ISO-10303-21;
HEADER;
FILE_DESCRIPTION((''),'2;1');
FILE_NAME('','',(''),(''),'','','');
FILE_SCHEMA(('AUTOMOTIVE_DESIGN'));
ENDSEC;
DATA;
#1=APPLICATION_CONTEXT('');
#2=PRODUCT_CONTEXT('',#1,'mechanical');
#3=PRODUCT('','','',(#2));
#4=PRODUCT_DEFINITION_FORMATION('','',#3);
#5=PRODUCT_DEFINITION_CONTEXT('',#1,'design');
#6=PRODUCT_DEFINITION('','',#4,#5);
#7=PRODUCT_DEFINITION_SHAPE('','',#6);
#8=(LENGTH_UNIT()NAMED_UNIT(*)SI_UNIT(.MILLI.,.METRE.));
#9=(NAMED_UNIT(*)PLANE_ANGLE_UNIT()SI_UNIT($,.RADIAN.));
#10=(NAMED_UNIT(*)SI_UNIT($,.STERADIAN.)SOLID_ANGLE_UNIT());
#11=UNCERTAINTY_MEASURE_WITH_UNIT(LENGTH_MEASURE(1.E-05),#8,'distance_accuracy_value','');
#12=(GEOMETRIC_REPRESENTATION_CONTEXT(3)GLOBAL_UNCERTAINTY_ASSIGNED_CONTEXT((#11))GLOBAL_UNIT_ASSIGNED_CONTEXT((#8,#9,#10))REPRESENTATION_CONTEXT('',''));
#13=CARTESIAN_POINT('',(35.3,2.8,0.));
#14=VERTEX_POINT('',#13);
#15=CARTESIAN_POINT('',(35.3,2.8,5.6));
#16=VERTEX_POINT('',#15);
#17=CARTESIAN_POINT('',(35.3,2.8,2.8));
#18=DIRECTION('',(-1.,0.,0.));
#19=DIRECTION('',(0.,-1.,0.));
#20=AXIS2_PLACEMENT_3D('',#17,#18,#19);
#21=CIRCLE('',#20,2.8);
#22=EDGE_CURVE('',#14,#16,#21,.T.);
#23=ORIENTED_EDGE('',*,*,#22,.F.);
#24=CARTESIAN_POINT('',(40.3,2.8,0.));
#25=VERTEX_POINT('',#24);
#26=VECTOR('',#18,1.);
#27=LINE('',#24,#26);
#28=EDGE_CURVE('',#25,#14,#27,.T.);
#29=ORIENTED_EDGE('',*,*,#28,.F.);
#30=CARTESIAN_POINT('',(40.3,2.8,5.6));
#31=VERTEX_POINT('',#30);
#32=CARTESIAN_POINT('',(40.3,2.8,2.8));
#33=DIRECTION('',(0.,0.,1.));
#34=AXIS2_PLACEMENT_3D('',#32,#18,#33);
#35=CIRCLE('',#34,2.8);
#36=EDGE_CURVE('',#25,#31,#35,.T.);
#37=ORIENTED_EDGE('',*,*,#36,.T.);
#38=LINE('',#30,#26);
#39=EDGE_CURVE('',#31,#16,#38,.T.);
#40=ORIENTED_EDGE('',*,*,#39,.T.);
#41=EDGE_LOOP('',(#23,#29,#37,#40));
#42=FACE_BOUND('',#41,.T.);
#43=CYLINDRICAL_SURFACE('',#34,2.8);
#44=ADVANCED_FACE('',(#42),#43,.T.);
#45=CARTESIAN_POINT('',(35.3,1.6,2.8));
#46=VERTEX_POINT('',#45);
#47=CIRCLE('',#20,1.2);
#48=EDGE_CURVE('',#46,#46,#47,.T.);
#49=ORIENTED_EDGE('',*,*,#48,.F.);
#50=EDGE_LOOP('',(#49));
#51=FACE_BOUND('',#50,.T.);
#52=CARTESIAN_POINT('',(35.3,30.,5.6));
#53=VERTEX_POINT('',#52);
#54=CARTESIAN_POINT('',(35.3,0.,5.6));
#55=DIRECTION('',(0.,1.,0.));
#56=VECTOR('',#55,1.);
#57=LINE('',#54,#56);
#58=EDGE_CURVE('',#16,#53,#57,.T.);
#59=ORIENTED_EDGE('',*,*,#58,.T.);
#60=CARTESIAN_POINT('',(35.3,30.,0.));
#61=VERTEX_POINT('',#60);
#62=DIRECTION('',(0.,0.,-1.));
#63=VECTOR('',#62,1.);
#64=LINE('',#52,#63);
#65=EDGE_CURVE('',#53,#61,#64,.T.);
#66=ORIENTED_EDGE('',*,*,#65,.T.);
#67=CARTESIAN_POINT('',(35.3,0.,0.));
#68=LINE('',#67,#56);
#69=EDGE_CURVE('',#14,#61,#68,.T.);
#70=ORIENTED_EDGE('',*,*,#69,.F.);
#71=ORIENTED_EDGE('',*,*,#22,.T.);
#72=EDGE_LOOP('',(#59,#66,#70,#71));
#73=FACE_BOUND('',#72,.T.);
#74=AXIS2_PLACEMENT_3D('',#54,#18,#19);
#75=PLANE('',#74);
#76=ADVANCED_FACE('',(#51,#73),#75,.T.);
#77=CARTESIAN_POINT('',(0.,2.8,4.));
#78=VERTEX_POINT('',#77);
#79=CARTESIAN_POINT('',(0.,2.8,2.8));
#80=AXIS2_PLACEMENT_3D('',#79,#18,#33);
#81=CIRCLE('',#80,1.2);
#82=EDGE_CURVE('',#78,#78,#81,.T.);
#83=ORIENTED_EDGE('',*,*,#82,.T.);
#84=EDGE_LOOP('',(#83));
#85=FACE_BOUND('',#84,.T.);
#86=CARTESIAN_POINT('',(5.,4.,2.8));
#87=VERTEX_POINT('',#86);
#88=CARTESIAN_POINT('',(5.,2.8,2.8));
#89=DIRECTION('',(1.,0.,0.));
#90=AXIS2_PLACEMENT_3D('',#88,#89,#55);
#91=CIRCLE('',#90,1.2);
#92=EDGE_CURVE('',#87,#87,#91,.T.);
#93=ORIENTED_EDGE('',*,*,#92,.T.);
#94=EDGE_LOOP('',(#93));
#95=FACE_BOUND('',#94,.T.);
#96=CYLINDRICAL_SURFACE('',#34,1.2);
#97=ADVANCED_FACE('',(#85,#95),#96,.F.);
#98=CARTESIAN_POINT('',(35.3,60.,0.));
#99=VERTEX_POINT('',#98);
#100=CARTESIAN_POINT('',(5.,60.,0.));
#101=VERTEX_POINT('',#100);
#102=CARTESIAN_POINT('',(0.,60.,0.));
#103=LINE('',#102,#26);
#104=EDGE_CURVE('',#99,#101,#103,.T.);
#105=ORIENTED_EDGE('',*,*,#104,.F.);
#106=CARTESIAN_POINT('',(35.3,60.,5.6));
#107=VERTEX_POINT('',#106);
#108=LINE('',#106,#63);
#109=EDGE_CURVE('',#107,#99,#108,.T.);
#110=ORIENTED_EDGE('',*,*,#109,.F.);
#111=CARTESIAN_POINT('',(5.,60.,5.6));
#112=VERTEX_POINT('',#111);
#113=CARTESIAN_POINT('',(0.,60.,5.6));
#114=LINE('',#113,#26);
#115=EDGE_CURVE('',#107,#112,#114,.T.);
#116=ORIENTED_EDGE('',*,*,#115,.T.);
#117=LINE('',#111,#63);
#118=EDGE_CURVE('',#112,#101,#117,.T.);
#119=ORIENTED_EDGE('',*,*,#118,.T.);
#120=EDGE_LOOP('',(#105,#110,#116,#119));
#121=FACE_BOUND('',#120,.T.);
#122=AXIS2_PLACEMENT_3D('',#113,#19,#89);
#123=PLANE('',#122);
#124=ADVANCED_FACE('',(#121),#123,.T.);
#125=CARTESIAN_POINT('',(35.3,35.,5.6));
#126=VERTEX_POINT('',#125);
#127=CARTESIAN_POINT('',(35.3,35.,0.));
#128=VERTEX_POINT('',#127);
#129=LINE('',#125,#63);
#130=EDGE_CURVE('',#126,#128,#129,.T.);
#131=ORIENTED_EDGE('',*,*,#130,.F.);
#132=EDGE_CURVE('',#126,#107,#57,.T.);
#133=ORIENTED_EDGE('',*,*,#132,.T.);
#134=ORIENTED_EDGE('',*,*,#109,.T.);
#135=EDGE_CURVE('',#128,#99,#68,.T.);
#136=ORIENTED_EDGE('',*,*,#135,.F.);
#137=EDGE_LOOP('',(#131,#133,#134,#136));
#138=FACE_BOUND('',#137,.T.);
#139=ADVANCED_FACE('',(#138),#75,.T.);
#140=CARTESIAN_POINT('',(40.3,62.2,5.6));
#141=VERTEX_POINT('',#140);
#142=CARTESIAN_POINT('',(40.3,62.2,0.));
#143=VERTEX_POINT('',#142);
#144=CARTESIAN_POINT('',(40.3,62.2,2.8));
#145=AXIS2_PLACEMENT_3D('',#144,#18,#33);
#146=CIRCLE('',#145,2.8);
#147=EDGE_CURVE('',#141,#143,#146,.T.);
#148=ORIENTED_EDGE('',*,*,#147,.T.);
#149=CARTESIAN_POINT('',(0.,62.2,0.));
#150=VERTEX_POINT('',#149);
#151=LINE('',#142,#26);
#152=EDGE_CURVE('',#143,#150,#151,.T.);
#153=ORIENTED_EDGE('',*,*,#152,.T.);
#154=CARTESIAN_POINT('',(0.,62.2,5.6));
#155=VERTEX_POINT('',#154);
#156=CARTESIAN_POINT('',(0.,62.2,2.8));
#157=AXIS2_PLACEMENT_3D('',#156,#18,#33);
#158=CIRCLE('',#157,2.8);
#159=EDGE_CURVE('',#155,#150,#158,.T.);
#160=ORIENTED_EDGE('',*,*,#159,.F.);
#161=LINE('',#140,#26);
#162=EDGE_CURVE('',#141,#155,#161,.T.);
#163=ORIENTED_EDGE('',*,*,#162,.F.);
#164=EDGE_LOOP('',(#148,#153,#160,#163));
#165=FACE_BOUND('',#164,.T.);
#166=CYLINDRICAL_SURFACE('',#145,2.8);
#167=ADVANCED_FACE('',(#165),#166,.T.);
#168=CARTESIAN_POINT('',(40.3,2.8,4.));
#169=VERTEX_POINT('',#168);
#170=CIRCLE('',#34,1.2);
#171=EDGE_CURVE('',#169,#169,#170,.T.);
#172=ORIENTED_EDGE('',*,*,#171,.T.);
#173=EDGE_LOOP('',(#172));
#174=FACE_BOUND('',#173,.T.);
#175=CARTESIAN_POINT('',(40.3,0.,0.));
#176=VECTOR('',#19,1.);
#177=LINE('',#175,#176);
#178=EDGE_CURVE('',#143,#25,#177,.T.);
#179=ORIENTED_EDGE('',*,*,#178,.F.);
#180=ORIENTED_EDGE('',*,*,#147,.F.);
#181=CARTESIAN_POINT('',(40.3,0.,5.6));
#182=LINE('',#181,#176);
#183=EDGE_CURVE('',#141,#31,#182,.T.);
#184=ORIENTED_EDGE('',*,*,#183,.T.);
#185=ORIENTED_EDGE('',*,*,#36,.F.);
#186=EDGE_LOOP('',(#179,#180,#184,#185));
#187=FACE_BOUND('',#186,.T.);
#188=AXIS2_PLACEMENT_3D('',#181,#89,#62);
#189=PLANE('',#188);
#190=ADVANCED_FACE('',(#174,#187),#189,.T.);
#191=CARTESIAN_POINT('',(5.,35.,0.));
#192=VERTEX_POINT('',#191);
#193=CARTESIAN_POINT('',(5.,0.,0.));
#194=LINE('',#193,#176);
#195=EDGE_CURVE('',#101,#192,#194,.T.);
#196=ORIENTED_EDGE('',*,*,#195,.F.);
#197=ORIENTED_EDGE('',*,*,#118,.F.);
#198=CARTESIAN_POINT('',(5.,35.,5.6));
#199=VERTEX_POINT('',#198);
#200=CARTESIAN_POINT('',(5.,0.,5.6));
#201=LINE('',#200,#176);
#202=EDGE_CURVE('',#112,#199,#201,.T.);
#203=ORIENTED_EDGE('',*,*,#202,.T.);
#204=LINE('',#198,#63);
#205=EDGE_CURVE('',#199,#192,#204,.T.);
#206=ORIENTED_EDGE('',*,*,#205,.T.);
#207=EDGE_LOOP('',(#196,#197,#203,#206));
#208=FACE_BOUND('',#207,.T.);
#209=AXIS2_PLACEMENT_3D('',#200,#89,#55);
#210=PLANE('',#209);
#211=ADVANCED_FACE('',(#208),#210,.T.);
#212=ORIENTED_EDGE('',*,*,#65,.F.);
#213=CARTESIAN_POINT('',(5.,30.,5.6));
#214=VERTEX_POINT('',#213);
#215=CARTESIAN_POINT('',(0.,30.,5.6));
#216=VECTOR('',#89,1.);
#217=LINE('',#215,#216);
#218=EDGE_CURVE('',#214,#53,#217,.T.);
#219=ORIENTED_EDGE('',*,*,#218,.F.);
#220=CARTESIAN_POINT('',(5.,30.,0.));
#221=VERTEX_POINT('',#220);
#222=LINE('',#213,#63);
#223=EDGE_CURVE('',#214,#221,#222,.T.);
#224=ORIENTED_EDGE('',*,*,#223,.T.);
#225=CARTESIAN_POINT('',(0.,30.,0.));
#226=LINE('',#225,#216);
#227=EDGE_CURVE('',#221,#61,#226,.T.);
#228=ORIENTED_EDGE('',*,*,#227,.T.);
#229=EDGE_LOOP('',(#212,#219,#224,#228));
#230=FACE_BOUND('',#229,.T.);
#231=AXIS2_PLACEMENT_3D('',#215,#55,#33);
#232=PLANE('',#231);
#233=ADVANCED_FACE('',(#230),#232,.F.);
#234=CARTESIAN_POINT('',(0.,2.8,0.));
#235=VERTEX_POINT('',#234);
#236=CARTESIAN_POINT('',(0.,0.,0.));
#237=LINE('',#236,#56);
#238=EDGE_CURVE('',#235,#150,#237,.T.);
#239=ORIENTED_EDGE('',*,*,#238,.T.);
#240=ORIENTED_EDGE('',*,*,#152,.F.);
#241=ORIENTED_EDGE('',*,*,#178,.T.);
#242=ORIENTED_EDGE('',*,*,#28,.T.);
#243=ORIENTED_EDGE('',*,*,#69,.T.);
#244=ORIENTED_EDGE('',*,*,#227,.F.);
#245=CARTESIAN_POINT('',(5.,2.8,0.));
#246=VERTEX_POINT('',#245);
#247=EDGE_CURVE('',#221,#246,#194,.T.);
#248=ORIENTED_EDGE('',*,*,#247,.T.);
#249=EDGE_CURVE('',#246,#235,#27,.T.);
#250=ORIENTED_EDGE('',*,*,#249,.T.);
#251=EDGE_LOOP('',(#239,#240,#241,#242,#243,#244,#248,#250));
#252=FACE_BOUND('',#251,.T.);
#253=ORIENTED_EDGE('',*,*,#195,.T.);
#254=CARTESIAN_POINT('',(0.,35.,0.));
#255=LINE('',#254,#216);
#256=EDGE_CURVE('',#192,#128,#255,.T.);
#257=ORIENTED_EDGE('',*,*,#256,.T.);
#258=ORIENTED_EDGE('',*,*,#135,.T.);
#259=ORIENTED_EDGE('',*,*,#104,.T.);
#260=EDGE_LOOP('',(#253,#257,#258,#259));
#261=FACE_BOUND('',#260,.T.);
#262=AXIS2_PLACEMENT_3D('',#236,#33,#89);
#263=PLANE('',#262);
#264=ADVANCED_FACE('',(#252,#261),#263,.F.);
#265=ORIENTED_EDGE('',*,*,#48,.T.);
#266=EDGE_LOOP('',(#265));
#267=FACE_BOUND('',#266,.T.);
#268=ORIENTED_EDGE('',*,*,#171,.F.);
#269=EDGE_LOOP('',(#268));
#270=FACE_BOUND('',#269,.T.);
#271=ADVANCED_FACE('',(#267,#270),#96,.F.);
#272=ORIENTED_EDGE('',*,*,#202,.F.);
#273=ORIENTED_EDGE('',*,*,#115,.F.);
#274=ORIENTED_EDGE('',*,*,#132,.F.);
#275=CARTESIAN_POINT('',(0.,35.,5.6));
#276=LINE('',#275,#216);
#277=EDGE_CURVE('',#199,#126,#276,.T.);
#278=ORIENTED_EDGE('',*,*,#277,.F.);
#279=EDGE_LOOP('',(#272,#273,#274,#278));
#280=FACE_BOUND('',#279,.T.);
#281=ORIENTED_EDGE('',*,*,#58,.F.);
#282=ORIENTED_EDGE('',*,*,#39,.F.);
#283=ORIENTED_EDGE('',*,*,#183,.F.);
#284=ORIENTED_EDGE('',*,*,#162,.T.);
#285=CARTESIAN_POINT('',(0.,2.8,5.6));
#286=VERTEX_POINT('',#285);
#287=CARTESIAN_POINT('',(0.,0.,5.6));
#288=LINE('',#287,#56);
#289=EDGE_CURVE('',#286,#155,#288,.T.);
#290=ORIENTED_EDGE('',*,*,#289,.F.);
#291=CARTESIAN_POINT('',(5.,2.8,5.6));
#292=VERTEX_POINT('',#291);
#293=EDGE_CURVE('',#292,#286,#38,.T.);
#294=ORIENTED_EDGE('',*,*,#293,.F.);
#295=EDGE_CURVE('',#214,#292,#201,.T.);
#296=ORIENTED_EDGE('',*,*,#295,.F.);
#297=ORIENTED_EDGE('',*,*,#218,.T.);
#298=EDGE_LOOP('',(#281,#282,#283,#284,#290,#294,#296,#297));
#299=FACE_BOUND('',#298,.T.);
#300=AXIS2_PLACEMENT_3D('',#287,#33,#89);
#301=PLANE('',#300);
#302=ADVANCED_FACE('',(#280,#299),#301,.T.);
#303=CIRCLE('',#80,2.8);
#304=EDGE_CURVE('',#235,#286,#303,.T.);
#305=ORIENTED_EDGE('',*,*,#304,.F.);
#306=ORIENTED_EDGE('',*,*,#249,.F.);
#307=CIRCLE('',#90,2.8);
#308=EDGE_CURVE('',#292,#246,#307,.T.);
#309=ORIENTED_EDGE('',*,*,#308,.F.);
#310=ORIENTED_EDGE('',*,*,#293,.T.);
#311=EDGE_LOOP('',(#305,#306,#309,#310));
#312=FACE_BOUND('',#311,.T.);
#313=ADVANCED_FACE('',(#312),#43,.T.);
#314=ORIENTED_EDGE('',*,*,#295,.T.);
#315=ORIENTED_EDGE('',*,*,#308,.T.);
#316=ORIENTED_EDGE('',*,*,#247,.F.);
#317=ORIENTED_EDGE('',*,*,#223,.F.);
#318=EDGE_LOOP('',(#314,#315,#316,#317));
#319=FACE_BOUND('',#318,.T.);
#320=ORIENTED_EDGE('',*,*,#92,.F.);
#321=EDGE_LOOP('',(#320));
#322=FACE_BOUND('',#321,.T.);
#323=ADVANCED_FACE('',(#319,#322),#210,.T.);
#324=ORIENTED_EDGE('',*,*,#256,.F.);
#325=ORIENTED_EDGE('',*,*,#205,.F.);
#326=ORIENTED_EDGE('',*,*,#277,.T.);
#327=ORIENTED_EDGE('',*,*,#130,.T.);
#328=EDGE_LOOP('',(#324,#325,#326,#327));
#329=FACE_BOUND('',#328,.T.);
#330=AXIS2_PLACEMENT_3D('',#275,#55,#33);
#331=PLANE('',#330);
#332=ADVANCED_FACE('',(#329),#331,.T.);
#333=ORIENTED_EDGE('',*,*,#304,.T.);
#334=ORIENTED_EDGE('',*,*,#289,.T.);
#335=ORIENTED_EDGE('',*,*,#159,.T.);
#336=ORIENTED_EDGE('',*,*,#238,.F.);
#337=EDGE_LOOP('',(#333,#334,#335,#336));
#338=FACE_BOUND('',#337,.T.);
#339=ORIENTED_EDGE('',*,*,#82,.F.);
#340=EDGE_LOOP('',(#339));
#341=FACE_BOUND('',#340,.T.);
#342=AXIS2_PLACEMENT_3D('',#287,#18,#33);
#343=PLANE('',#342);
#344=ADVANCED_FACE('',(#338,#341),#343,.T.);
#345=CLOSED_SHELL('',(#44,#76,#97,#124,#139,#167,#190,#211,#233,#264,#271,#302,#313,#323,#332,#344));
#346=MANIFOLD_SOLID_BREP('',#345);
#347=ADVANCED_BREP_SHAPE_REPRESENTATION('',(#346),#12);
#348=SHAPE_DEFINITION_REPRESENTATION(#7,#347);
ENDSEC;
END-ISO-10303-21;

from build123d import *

# Parameters (mm, degrees)
SKICA1_W                 = 30.3
SKICA1_H                 = 5
P_IDAT_VYSUNUT_M1_DEPTH  = 5.6
SKICA2_R                 = 1.2
ODEBRAT_VYSUNUT_M1_DEPTH = 77.684092223
ODEBRAT_VYSUNUT_M3_DEPTH = 77.684092223


with BuildPart() as part:
    # Skica1 → Přidat vysunutím1 (new body)
    with BuildSketch(Plane.XY):
        Polygon((5, 0), (0, 0), (0, 65), (40.3, 65), (40.3, 0), (35.3, 0), (35.3, 60), (5, 60), align=None)
        with Locations((20.15, 32.5)):
            Rectangle(SKICA1_W, SKICA1_H)
    extrude(amount=P_IDAT_VYSUNUT_M1_DEPTH)

    # Skica2 → Odebrat vysunutím1 (cut, through all)
    with BuildSketch(Plane.ZY):
        with BuildLine():
            Line((5.6, 0), (5.6, 2.8))
            ThreePointArc((5.6, 2.8), (4.779898987, 0.820101013), (2.8, 0))
            Line((2.8, 0), (5.6, 0))
        make_face()
        with BuildLine():
            ThreePointArc((2.8, 0), (0.820101013, 0.820101013), (0, 2.8))
            Line((0, 2.8), (0, 0))
            Line((0, 0), (2.8, 0))
        make_face()
        with Locations((2.8, 2.8)):
            Circle(SKICA2_R)
    extrude(amount=-ODEBRAT_VYSUNUT_M1_DEPTH, mode=Mode.SUBTRACT)

    # Skica3 → Odebrat vysunutím3 (cut, through all)
    with BuildSketch(Plane.ZY):
        with BuildLine():
            Line((0, 65), (0, 62.2))
            ThreePointArc((0, 62.2), (0.820101013, 64.179898987), (2.8, 65))
            Line((2.8, 65), (0, 65))
        make_face()
        with BuildLine():
            ThreePointArc((2.8, 65), (4.779898987, 64.179898987), (5.6, 62.2))
            Line((5.6, 62.2), (5.6, 65))
            Line((5.6, 65), (2.8, 65))
        make_face()
    extrude(amount=-ODEBRAT_VYSUNUT_M3_DEPTH, mode=Mode.SUBTRACT)


solid = part.part
